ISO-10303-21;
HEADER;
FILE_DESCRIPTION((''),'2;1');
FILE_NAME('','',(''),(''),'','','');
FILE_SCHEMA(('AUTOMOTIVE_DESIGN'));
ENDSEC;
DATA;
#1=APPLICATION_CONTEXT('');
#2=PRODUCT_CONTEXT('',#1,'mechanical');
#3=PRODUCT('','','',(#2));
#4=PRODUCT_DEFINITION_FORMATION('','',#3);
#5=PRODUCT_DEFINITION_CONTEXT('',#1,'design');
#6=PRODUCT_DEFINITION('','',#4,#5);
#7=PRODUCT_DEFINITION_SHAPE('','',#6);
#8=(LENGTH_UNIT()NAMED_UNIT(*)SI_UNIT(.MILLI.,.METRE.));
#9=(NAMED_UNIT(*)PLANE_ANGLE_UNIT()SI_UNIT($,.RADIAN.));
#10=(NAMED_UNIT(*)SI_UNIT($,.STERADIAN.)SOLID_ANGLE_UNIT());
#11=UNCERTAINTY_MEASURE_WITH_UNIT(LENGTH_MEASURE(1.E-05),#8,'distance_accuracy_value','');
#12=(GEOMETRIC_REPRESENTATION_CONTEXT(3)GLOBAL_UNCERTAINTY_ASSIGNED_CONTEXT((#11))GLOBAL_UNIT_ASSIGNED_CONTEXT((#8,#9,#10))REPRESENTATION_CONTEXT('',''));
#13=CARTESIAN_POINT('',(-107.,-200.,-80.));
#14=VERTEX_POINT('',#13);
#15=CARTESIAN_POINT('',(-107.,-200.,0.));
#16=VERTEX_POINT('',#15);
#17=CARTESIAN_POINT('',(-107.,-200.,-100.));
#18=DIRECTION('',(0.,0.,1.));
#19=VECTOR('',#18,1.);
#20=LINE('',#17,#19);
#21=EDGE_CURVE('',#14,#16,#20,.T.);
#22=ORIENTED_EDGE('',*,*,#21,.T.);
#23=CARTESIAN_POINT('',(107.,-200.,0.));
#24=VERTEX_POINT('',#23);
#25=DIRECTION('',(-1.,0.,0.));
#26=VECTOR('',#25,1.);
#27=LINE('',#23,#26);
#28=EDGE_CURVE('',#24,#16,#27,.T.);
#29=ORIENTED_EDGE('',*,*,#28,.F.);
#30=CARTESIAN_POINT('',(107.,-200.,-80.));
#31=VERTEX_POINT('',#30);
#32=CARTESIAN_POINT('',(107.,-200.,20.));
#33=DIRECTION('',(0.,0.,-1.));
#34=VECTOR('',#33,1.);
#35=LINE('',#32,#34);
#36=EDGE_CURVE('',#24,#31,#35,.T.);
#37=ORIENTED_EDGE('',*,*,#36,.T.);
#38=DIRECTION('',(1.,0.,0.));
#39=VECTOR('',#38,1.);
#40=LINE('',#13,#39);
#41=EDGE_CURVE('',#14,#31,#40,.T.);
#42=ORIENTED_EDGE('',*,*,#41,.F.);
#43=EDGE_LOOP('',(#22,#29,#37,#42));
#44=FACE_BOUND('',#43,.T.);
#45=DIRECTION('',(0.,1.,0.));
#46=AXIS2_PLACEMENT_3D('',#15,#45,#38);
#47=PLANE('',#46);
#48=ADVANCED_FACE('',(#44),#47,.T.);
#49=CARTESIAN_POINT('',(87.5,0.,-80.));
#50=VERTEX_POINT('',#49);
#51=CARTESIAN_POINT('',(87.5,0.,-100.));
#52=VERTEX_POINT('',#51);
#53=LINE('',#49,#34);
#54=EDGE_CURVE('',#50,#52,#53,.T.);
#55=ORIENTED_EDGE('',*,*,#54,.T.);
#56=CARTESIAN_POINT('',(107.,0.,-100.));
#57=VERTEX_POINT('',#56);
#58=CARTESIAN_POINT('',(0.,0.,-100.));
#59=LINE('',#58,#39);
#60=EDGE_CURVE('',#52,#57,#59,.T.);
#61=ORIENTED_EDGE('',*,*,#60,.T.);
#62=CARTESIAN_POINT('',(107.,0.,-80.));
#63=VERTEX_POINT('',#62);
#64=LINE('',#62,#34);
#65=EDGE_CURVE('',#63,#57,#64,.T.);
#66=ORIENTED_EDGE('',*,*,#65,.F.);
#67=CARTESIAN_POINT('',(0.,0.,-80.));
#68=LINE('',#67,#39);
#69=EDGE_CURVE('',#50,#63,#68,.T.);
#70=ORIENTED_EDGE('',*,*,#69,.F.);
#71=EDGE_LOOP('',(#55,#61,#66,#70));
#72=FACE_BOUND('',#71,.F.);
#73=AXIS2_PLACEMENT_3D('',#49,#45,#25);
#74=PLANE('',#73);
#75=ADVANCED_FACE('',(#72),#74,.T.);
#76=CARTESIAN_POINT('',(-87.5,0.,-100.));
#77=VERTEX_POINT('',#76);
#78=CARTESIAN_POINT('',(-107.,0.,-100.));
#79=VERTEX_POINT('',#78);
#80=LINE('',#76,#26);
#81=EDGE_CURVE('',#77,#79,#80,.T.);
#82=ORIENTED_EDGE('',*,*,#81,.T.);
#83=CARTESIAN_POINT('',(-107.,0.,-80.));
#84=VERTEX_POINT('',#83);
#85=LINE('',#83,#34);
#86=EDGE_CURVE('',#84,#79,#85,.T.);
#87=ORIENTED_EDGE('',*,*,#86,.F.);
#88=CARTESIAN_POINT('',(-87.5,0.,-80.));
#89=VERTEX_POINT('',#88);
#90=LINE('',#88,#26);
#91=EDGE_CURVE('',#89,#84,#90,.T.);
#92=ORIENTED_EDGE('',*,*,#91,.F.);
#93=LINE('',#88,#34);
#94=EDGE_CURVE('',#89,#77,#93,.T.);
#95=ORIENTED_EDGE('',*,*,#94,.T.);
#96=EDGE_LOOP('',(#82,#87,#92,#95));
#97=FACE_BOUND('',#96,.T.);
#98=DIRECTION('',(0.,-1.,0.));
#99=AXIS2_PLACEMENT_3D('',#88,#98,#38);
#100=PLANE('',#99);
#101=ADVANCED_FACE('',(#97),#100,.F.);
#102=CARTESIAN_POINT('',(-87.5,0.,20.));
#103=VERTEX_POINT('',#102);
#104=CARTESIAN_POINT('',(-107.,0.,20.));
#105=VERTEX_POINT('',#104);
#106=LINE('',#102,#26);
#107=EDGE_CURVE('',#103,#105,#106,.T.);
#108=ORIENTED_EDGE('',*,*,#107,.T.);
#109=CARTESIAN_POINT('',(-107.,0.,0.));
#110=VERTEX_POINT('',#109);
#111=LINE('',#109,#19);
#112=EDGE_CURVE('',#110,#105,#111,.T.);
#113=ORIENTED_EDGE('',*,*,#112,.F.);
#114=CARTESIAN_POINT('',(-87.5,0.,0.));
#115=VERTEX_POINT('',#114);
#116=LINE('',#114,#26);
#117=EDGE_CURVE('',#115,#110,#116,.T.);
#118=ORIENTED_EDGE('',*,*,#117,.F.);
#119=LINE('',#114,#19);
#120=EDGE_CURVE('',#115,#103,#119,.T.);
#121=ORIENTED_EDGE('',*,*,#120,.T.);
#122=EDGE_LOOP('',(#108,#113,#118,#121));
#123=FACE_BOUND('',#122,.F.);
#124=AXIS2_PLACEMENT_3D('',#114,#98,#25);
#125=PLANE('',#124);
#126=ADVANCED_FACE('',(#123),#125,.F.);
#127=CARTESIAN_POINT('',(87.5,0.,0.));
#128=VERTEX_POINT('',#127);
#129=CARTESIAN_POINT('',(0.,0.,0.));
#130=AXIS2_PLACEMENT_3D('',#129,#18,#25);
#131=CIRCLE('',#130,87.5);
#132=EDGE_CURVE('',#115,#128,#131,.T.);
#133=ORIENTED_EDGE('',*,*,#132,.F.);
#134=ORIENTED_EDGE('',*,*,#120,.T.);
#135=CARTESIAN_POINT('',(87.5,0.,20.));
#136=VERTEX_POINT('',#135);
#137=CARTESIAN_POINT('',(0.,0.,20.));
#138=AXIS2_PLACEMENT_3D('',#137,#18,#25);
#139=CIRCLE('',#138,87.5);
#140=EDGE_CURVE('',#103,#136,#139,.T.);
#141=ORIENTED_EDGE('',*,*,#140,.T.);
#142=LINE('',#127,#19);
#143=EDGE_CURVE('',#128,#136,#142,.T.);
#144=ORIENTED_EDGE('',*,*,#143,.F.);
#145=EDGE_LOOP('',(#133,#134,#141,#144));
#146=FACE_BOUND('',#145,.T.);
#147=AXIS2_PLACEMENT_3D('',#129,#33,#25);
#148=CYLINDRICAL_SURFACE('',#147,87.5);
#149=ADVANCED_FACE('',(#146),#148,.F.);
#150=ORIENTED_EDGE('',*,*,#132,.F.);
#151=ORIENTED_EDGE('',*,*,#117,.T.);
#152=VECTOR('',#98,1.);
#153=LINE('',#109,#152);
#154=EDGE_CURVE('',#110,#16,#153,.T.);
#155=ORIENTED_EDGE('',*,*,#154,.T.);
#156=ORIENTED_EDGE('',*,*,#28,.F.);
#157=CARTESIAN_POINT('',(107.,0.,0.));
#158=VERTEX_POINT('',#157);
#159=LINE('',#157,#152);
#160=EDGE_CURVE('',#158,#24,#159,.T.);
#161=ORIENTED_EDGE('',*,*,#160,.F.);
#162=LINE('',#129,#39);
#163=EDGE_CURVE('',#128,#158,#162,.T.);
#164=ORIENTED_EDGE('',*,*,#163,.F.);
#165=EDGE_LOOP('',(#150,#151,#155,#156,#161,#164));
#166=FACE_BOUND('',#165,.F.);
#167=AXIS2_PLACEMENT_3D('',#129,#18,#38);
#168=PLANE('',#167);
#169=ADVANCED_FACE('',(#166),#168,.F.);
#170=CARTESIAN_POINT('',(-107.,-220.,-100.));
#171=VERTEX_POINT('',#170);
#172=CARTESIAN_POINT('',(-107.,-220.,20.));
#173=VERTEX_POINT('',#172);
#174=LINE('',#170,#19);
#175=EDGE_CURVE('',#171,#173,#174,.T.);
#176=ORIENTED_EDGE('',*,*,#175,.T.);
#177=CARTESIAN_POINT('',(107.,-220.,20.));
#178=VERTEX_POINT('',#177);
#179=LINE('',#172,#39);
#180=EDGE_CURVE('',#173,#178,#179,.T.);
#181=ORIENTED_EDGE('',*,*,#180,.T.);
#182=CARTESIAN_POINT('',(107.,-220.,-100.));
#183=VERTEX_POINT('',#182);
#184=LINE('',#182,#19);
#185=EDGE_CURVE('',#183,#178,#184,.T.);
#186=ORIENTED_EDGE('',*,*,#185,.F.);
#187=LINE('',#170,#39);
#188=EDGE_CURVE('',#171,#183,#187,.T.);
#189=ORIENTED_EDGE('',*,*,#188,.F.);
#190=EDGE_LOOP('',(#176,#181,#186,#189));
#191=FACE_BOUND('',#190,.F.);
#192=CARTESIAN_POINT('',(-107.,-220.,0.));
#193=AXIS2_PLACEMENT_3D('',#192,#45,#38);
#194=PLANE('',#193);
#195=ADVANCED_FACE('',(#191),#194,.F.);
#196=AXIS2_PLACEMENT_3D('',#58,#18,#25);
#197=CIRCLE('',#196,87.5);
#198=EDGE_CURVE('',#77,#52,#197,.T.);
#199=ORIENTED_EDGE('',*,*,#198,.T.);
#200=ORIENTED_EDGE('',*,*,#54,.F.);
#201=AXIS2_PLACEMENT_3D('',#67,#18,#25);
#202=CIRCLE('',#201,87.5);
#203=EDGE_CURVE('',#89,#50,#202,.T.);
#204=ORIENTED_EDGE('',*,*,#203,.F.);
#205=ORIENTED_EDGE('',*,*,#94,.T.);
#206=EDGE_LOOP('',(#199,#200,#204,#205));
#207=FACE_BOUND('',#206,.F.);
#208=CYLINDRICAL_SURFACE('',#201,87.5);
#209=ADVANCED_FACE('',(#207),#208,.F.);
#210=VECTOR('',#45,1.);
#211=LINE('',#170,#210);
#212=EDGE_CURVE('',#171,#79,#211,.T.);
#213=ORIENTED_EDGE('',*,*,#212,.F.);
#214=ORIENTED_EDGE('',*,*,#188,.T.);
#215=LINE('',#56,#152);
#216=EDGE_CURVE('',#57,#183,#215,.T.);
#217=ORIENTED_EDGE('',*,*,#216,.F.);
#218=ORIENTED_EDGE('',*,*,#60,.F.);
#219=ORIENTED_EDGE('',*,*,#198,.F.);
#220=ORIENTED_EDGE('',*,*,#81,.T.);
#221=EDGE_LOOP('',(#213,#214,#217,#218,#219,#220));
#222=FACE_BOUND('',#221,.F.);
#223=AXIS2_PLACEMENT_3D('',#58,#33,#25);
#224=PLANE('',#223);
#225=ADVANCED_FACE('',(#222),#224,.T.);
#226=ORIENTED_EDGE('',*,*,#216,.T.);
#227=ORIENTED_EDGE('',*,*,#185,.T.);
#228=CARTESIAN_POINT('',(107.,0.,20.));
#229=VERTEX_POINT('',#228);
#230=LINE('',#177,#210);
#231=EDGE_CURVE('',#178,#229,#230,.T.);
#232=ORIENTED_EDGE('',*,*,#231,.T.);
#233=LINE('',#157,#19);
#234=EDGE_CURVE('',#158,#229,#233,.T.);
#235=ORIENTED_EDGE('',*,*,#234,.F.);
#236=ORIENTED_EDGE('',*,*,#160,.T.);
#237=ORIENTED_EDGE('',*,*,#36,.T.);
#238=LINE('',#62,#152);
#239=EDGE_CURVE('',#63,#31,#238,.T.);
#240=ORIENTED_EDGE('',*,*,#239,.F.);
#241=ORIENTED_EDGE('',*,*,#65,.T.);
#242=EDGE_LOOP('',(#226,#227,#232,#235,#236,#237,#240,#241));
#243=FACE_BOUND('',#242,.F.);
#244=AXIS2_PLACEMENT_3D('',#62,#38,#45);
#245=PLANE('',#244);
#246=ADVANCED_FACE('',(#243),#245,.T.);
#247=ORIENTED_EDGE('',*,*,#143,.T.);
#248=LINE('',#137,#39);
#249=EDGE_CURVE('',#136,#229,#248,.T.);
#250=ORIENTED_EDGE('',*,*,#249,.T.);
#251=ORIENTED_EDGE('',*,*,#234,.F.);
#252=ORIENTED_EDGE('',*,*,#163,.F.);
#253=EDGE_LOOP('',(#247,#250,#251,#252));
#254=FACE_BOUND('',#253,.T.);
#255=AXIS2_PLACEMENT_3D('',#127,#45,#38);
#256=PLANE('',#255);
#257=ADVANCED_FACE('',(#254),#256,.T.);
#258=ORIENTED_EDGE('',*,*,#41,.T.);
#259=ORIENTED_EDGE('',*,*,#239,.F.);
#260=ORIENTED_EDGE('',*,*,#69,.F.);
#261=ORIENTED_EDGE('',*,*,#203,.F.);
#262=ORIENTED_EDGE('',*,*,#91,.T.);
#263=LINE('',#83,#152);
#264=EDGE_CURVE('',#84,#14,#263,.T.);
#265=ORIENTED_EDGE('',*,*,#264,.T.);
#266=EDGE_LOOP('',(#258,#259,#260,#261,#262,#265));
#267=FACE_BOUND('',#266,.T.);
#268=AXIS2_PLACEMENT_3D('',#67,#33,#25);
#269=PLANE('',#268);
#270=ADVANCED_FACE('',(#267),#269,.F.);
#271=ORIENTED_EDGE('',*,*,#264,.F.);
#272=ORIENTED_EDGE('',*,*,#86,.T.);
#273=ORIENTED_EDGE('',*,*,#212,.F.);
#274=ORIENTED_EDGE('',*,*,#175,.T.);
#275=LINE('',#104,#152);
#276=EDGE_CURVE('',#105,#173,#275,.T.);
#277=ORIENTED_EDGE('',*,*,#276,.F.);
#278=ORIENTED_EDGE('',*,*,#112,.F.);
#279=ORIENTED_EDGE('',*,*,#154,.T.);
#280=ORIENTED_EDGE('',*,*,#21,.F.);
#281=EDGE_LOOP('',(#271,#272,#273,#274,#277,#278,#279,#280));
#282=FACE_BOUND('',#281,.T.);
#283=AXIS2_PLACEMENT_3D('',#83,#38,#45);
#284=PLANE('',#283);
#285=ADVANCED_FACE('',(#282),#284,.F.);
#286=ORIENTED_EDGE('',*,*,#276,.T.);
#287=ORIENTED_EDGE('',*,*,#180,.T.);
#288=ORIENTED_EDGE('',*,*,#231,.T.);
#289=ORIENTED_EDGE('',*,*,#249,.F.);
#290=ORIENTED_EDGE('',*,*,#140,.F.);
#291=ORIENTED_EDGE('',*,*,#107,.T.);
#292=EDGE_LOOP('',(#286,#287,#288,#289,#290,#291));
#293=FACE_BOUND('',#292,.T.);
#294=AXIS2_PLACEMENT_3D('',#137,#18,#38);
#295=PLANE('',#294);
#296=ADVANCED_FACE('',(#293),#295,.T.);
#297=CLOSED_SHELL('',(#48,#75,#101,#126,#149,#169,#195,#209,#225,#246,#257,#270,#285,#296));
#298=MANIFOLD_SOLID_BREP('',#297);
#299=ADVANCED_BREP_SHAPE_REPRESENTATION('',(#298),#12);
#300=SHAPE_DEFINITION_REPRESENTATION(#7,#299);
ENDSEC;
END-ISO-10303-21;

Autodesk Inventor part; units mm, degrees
ref_plane "YZ Plane" through (0, 0, 0) normal (1, 0, 0) x (0, 1, 0)
ref_plane "XZ Plane" through (0, 0, 0) normal (0, 1, 0) x (-1, 0, 0)
sketch "Sketch1" plane through (0, 0, 0) normal (0, 0, 1) x (1, 0, 0)
  arc A0 (-87.5, 0) -> (87.5, 0) centre (0, 0) ccw
  line L0 (-87.5, 0) -> (87.5, 0) construction
  line L1 (-87.5, -200) -> (87.5, -200)
  line L2 (-87.5, -220) -> (87.5, -220)
  line L3 (-87.5, 0) -> (-107.5, 0)
  line L4 (0, 0) -> (-107, 0)
  line L5 (-107, 0) -> (-107, -200)
  line L6 (-107, -200) -> (-87.5, -200)
  line L7 (-107, -200) -> (-107, -220)
  line L8 (-107, -220) -> (-87.5, -220)
  line L9 (0, 0) -> (107, 0)
  line L10 (107, 0) -> (107, -220)
  line L11 (107, -220) -> (87.5, -220)
  line L12 (87.5, -200) -> (107, -200)
  point P0 (87.5, 0)
  dimension "d0" = 175
  dimension "d1" = 200
  dimension "d9" = 107
  dimension "d10" = 107
  dimension "d13" = 90
  dimension "d15" = 200
  dimension "d17" = 200
  dimension "d18" = 214.5
  dimension "d21" = 20
extrude "Extrusion1" add sketch "Sketch1" along normal blind 20 contours A0 L9 L10 L12 L1 L6 L5 L3
extrude "Extrusion2" add sketch "Sketch1" along normal blind 20 and the other way blind 100 contours L6 L1 L12 L10 L11 L2 L8 L7
ref_plane "Work Plane1" through (0, 0, -40) normal (0, 0, -1) x (1, 0, 0)
mirror "Mirror1" about plane through (0, 0, -40) normal (0, 0, -1) of "Extrusion1"
properties part number "Support" material "Stainless Steel"
